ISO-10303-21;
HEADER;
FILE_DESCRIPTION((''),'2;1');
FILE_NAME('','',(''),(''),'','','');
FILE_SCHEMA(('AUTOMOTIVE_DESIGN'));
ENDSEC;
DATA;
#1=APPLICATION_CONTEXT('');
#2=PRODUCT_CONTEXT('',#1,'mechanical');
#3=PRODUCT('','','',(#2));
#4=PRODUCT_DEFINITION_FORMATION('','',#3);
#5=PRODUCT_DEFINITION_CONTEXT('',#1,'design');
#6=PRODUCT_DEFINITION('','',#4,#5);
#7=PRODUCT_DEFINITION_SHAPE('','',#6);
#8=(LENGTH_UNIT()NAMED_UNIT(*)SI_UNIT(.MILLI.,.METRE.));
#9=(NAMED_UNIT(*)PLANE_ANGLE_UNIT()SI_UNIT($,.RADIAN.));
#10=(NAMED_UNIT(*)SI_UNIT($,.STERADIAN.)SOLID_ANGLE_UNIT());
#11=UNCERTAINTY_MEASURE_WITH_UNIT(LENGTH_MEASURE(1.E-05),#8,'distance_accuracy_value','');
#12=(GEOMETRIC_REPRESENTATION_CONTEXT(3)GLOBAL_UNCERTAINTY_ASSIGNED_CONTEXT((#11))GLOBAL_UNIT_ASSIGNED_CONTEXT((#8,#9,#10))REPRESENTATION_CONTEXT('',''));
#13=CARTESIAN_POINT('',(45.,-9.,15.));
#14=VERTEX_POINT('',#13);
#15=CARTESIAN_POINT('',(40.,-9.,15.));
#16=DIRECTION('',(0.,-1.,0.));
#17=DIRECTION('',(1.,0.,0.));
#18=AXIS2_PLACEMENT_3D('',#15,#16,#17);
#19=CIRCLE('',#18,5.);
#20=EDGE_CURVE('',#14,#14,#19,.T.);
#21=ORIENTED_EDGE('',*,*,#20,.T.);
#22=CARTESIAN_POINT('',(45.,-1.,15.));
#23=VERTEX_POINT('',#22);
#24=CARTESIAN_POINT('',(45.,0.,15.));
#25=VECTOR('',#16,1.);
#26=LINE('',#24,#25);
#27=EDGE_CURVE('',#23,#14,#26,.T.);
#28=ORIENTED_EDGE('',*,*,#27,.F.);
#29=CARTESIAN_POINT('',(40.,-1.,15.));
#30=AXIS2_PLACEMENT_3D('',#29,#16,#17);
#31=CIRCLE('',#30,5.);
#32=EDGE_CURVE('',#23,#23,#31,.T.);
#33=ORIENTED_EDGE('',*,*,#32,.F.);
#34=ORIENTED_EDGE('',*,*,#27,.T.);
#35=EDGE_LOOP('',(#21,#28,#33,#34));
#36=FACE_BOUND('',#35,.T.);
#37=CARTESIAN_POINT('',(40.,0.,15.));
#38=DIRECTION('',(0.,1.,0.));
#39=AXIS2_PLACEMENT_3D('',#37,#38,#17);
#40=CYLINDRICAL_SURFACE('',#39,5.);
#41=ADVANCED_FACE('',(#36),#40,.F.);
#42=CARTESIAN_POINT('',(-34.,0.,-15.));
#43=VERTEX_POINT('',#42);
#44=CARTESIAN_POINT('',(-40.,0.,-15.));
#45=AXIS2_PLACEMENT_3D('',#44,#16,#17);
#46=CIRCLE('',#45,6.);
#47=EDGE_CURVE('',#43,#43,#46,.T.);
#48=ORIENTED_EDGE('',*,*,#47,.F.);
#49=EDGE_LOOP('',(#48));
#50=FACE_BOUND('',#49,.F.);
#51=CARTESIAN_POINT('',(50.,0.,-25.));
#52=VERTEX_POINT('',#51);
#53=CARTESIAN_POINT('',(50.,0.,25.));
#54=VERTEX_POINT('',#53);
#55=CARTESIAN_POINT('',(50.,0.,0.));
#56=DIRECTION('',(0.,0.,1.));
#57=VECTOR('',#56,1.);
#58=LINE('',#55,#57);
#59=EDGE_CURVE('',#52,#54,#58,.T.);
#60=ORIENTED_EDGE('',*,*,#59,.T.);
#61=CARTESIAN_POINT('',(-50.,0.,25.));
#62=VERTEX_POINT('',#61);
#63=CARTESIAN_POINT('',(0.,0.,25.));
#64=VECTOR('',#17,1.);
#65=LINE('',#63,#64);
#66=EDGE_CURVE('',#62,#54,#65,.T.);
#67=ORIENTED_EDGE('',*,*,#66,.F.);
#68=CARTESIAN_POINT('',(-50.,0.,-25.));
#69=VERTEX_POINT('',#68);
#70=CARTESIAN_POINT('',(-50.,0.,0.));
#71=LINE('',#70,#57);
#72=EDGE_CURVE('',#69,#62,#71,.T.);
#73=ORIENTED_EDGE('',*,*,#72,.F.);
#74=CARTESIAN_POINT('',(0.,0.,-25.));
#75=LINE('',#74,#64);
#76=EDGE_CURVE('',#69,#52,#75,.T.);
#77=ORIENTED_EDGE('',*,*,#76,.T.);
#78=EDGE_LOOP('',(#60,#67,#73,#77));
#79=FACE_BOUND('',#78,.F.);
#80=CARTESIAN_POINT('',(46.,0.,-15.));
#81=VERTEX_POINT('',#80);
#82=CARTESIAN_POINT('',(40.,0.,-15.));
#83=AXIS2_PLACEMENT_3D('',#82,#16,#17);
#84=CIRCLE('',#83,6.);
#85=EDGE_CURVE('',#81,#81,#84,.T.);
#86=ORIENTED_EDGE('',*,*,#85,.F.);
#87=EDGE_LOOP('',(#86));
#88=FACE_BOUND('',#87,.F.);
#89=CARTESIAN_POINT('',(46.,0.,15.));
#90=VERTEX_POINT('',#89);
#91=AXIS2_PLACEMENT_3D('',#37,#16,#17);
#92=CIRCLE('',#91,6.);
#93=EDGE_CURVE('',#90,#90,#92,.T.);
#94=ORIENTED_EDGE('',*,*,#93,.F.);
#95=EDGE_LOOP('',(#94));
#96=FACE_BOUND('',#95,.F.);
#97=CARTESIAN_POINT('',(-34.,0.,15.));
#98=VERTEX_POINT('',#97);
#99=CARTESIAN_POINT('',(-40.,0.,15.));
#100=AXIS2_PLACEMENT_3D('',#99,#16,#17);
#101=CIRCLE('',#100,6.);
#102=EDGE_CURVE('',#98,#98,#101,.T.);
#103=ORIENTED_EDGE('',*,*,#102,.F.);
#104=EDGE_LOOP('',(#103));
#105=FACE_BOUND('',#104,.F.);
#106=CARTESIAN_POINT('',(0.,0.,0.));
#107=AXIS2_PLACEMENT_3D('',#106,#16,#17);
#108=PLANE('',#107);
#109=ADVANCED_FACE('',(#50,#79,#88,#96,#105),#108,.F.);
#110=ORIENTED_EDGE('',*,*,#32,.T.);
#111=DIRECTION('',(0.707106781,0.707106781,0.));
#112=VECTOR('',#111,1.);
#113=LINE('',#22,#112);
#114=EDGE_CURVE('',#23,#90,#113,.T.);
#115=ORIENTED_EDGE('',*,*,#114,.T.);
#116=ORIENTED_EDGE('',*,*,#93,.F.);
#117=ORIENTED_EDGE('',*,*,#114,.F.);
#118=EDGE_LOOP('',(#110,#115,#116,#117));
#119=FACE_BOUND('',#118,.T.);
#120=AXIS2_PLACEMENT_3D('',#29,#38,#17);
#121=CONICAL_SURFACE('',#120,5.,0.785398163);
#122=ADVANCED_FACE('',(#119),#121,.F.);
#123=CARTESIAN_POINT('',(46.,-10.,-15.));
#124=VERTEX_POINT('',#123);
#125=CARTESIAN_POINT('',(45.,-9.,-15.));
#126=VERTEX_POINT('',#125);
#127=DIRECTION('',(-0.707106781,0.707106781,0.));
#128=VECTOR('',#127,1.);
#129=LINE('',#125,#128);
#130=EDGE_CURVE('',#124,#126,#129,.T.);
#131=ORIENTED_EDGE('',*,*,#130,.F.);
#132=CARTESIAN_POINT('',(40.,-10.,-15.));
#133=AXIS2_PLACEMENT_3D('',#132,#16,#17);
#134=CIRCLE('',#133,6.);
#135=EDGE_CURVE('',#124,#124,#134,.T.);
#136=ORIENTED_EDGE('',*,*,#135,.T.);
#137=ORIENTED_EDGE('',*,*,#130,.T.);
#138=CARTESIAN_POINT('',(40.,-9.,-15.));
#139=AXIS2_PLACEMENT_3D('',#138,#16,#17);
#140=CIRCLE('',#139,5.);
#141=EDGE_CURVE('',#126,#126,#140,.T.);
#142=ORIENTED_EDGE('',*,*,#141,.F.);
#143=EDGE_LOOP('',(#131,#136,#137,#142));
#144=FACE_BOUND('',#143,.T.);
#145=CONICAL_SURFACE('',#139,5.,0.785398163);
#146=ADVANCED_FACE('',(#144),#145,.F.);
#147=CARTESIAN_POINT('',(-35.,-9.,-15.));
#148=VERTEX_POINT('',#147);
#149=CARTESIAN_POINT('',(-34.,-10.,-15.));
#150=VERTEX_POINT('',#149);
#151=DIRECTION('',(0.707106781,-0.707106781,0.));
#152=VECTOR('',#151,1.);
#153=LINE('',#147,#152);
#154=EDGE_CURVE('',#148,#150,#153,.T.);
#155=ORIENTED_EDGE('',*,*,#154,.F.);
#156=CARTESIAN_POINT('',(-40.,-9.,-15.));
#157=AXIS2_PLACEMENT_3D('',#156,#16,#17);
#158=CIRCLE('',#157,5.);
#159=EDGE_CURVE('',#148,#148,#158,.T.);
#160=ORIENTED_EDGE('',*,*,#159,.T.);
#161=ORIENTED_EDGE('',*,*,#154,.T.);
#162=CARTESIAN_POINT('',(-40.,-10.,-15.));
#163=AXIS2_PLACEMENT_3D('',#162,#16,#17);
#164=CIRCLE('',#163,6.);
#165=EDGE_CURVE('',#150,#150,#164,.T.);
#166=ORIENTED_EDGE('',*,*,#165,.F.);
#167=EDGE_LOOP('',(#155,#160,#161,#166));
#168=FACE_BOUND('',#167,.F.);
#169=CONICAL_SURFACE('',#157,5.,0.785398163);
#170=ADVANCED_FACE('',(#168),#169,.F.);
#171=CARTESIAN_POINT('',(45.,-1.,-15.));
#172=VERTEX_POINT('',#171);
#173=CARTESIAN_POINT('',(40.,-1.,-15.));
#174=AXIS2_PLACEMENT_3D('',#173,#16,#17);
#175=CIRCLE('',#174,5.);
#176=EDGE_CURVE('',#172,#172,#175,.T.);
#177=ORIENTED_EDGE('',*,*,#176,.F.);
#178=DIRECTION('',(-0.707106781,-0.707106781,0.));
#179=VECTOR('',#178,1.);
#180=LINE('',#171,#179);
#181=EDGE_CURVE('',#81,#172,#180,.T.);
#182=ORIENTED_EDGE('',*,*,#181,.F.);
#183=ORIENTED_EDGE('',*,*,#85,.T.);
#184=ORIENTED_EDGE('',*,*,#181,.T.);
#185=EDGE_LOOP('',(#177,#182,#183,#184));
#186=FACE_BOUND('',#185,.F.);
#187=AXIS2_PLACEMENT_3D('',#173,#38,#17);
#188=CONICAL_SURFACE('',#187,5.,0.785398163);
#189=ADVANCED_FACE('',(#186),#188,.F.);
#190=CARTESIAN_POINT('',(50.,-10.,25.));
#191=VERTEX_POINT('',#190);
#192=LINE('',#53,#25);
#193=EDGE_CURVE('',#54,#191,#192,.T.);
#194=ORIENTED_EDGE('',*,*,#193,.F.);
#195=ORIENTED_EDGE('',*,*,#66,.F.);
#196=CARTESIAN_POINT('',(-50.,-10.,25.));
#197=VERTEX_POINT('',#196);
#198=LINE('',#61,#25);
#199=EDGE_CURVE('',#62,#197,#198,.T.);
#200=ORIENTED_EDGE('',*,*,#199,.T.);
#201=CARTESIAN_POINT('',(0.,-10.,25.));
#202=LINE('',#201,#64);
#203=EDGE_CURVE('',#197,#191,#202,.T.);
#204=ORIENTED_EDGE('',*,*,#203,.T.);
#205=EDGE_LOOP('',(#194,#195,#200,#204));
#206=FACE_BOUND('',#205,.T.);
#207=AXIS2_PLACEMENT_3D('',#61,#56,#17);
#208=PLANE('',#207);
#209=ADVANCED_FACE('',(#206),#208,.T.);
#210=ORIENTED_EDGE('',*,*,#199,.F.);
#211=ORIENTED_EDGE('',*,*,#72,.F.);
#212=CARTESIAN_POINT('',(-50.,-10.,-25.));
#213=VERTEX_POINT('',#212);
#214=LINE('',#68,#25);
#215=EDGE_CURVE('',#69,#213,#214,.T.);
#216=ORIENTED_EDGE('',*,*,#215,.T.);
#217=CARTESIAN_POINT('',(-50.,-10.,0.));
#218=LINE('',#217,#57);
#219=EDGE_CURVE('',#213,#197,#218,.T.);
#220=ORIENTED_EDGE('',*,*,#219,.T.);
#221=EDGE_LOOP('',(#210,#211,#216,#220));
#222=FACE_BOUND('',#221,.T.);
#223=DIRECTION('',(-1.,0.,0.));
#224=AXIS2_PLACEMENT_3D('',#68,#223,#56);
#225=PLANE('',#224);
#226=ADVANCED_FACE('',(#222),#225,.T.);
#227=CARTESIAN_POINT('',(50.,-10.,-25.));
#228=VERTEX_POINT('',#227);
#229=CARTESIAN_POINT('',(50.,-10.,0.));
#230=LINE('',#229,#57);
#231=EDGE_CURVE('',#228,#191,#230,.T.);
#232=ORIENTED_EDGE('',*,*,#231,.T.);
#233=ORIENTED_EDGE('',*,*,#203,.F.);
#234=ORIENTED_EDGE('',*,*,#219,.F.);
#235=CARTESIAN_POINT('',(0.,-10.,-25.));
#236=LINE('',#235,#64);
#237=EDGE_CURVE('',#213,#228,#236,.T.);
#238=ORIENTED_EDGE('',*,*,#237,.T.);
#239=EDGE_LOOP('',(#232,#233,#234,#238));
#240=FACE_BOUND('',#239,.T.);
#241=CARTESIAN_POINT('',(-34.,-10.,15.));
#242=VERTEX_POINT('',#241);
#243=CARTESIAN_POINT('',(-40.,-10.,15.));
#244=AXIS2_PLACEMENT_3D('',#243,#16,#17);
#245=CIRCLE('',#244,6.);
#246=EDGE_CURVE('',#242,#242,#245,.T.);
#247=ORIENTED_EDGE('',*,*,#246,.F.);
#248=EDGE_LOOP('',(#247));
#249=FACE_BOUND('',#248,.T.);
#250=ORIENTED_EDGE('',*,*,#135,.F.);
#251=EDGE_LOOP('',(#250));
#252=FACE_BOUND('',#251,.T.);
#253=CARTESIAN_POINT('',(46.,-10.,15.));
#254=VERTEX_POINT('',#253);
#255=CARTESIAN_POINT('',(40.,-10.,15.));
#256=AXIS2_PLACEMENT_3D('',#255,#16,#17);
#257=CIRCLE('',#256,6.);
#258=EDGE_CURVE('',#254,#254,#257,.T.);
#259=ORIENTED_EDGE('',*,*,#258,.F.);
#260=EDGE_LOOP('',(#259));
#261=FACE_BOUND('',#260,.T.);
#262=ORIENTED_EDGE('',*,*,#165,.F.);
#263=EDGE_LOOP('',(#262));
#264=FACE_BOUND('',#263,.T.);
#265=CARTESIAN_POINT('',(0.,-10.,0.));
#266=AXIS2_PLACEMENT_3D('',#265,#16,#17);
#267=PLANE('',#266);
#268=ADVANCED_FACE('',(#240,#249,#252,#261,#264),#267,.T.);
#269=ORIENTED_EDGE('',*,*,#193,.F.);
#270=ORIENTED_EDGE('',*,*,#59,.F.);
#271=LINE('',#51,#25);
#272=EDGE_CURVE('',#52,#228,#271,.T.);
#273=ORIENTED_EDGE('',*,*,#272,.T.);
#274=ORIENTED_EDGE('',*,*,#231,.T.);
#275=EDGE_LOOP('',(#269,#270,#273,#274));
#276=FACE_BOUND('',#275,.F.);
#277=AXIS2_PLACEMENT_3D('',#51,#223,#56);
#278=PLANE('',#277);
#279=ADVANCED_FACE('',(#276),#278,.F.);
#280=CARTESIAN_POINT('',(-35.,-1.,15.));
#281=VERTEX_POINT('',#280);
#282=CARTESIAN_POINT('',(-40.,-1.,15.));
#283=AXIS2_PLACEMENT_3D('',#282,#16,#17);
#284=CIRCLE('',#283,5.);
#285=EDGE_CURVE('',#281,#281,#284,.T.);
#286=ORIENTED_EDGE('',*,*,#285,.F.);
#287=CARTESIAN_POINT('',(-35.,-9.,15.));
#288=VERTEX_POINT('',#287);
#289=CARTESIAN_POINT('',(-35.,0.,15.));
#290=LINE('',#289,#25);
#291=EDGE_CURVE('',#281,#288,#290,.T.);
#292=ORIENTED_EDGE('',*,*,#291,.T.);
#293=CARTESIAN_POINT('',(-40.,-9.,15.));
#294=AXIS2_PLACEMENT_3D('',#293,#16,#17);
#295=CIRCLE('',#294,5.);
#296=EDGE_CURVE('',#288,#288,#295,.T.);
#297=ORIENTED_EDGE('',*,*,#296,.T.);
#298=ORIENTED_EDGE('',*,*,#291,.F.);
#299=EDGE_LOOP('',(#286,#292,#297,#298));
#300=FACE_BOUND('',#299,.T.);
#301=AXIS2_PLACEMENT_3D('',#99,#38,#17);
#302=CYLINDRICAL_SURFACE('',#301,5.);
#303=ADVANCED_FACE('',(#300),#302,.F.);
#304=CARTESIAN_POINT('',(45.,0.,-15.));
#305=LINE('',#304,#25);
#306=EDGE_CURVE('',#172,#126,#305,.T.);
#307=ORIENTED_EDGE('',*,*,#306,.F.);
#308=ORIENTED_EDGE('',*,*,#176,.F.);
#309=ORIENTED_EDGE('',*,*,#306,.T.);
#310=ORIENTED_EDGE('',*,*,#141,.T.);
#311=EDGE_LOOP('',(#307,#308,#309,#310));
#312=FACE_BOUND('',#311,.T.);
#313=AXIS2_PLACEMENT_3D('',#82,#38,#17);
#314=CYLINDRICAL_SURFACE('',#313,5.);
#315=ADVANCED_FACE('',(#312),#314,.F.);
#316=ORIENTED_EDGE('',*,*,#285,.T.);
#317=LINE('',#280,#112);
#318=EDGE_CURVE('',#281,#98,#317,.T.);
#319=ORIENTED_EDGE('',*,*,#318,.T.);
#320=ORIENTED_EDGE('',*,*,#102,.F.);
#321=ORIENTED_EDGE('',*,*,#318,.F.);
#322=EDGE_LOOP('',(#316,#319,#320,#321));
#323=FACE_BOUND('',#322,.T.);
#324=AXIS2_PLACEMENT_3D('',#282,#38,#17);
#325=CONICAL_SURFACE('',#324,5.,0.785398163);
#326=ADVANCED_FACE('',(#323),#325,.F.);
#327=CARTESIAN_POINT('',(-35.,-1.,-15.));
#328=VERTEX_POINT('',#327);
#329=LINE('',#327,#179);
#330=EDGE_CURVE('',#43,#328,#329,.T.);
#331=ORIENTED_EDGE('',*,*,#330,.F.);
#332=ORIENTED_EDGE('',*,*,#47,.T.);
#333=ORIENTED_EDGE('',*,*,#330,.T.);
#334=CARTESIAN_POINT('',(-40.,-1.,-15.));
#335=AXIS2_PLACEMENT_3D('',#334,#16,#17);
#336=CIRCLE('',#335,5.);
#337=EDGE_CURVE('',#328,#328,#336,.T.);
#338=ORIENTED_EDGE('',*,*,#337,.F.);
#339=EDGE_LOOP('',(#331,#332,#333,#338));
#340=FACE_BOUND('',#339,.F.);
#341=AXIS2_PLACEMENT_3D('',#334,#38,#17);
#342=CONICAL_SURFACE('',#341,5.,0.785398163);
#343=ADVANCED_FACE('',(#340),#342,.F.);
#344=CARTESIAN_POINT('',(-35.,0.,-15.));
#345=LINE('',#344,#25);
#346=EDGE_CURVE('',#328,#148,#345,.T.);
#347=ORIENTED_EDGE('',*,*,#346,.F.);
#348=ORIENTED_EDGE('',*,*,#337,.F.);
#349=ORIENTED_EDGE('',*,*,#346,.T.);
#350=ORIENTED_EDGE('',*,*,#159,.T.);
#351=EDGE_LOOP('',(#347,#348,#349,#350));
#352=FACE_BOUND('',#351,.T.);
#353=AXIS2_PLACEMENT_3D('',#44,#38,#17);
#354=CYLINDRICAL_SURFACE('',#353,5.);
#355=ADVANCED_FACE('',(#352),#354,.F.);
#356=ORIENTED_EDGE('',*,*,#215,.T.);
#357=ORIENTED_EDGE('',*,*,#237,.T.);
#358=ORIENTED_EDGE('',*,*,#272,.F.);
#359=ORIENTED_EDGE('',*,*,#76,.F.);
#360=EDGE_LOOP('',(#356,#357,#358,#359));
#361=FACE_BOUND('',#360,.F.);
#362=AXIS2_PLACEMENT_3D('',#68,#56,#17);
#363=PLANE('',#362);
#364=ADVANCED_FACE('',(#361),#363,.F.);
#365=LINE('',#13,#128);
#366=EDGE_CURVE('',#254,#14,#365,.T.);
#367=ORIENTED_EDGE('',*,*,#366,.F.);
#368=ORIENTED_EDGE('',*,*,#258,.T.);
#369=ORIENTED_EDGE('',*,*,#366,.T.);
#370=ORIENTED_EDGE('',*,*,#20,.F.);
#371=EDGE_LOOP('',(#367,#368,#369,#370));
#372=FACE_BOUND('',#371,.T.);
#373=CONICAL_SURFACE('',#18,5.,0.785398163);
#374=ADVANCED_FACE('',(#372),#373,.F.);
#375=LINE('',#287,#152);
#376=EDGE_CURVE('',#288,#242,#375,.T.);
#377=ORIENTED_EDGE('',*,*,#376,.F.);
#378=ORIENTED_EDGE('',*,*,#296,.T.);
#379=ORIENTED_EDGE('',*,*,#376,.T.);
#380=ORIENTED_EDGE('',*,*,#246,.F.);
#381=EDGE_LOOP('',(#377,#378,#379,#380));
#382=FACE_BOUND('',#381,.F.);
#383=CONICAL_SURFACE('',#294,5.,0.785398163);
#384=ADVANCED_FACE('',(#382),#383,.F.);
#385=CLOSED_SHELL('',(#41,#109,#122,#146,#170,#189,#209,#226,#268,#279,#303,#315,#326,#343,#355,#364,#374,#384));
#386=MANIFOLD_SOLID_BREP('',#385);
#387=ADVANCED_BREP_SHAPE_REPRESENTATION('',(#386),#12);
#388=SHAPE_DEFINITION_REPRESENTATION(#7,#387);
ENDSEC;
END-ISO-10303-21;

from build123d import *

# Parameters (mm, degrees)
F0_W     = 100
F0_H     = 50
F0_R     = 5
F1_DEPTH = 10
F2_SIZE  = 1
F3_SIZE  = 1
F4_SIZE  = 1


with BuildPart() as f1:
    # F0 (on Front) → F1 (new body)
    with BuildSketch(Plane.XZ):
        Rectangle(F0_W, F0_H)
        with Locations((-40, -15)):
            Circle(F0_R, mode=Mode.SUBTRACT)
        with Locations((40, -15)):
            Circle(F0_R, mode=Mode.SUBTRACT)
        with Locations((-40, 15)):
            Circle(F0_R, mode=Mode.SUBTRACT)
        with Locations((40, 15)):
            Circle(F0_R, mode=Mode.SUBTRACT)
    extrude(amount=F1_DEPTH)

    # F2
    f2_edges = [f1.edges().sort_by_distance(p)[0] for p in [
        (-45, -10, 15),
        (-45, -10, -15),
    ]]
    chamfer(f2_edges, length=F2_SIZE)

    # F3
    f3_edges = [f1.edges().sort_by_distance(p)[0] for p in [
        (35, -10, 15),
        (35, -10, -15),
    ]]
    chamfer(f3_edges, length=F3_SIZE)

    # F4
    f4_edges = [f1.edges().sort_by_distance(p)[0] for p in [
        (35, 0, 15),
        (-45, 0, 15),
        (-45, 0, -15),
        (35, 0, -15),
    ]]
    chamfer(f4_edges, length=F4_SIZE)


solid = f1.part
